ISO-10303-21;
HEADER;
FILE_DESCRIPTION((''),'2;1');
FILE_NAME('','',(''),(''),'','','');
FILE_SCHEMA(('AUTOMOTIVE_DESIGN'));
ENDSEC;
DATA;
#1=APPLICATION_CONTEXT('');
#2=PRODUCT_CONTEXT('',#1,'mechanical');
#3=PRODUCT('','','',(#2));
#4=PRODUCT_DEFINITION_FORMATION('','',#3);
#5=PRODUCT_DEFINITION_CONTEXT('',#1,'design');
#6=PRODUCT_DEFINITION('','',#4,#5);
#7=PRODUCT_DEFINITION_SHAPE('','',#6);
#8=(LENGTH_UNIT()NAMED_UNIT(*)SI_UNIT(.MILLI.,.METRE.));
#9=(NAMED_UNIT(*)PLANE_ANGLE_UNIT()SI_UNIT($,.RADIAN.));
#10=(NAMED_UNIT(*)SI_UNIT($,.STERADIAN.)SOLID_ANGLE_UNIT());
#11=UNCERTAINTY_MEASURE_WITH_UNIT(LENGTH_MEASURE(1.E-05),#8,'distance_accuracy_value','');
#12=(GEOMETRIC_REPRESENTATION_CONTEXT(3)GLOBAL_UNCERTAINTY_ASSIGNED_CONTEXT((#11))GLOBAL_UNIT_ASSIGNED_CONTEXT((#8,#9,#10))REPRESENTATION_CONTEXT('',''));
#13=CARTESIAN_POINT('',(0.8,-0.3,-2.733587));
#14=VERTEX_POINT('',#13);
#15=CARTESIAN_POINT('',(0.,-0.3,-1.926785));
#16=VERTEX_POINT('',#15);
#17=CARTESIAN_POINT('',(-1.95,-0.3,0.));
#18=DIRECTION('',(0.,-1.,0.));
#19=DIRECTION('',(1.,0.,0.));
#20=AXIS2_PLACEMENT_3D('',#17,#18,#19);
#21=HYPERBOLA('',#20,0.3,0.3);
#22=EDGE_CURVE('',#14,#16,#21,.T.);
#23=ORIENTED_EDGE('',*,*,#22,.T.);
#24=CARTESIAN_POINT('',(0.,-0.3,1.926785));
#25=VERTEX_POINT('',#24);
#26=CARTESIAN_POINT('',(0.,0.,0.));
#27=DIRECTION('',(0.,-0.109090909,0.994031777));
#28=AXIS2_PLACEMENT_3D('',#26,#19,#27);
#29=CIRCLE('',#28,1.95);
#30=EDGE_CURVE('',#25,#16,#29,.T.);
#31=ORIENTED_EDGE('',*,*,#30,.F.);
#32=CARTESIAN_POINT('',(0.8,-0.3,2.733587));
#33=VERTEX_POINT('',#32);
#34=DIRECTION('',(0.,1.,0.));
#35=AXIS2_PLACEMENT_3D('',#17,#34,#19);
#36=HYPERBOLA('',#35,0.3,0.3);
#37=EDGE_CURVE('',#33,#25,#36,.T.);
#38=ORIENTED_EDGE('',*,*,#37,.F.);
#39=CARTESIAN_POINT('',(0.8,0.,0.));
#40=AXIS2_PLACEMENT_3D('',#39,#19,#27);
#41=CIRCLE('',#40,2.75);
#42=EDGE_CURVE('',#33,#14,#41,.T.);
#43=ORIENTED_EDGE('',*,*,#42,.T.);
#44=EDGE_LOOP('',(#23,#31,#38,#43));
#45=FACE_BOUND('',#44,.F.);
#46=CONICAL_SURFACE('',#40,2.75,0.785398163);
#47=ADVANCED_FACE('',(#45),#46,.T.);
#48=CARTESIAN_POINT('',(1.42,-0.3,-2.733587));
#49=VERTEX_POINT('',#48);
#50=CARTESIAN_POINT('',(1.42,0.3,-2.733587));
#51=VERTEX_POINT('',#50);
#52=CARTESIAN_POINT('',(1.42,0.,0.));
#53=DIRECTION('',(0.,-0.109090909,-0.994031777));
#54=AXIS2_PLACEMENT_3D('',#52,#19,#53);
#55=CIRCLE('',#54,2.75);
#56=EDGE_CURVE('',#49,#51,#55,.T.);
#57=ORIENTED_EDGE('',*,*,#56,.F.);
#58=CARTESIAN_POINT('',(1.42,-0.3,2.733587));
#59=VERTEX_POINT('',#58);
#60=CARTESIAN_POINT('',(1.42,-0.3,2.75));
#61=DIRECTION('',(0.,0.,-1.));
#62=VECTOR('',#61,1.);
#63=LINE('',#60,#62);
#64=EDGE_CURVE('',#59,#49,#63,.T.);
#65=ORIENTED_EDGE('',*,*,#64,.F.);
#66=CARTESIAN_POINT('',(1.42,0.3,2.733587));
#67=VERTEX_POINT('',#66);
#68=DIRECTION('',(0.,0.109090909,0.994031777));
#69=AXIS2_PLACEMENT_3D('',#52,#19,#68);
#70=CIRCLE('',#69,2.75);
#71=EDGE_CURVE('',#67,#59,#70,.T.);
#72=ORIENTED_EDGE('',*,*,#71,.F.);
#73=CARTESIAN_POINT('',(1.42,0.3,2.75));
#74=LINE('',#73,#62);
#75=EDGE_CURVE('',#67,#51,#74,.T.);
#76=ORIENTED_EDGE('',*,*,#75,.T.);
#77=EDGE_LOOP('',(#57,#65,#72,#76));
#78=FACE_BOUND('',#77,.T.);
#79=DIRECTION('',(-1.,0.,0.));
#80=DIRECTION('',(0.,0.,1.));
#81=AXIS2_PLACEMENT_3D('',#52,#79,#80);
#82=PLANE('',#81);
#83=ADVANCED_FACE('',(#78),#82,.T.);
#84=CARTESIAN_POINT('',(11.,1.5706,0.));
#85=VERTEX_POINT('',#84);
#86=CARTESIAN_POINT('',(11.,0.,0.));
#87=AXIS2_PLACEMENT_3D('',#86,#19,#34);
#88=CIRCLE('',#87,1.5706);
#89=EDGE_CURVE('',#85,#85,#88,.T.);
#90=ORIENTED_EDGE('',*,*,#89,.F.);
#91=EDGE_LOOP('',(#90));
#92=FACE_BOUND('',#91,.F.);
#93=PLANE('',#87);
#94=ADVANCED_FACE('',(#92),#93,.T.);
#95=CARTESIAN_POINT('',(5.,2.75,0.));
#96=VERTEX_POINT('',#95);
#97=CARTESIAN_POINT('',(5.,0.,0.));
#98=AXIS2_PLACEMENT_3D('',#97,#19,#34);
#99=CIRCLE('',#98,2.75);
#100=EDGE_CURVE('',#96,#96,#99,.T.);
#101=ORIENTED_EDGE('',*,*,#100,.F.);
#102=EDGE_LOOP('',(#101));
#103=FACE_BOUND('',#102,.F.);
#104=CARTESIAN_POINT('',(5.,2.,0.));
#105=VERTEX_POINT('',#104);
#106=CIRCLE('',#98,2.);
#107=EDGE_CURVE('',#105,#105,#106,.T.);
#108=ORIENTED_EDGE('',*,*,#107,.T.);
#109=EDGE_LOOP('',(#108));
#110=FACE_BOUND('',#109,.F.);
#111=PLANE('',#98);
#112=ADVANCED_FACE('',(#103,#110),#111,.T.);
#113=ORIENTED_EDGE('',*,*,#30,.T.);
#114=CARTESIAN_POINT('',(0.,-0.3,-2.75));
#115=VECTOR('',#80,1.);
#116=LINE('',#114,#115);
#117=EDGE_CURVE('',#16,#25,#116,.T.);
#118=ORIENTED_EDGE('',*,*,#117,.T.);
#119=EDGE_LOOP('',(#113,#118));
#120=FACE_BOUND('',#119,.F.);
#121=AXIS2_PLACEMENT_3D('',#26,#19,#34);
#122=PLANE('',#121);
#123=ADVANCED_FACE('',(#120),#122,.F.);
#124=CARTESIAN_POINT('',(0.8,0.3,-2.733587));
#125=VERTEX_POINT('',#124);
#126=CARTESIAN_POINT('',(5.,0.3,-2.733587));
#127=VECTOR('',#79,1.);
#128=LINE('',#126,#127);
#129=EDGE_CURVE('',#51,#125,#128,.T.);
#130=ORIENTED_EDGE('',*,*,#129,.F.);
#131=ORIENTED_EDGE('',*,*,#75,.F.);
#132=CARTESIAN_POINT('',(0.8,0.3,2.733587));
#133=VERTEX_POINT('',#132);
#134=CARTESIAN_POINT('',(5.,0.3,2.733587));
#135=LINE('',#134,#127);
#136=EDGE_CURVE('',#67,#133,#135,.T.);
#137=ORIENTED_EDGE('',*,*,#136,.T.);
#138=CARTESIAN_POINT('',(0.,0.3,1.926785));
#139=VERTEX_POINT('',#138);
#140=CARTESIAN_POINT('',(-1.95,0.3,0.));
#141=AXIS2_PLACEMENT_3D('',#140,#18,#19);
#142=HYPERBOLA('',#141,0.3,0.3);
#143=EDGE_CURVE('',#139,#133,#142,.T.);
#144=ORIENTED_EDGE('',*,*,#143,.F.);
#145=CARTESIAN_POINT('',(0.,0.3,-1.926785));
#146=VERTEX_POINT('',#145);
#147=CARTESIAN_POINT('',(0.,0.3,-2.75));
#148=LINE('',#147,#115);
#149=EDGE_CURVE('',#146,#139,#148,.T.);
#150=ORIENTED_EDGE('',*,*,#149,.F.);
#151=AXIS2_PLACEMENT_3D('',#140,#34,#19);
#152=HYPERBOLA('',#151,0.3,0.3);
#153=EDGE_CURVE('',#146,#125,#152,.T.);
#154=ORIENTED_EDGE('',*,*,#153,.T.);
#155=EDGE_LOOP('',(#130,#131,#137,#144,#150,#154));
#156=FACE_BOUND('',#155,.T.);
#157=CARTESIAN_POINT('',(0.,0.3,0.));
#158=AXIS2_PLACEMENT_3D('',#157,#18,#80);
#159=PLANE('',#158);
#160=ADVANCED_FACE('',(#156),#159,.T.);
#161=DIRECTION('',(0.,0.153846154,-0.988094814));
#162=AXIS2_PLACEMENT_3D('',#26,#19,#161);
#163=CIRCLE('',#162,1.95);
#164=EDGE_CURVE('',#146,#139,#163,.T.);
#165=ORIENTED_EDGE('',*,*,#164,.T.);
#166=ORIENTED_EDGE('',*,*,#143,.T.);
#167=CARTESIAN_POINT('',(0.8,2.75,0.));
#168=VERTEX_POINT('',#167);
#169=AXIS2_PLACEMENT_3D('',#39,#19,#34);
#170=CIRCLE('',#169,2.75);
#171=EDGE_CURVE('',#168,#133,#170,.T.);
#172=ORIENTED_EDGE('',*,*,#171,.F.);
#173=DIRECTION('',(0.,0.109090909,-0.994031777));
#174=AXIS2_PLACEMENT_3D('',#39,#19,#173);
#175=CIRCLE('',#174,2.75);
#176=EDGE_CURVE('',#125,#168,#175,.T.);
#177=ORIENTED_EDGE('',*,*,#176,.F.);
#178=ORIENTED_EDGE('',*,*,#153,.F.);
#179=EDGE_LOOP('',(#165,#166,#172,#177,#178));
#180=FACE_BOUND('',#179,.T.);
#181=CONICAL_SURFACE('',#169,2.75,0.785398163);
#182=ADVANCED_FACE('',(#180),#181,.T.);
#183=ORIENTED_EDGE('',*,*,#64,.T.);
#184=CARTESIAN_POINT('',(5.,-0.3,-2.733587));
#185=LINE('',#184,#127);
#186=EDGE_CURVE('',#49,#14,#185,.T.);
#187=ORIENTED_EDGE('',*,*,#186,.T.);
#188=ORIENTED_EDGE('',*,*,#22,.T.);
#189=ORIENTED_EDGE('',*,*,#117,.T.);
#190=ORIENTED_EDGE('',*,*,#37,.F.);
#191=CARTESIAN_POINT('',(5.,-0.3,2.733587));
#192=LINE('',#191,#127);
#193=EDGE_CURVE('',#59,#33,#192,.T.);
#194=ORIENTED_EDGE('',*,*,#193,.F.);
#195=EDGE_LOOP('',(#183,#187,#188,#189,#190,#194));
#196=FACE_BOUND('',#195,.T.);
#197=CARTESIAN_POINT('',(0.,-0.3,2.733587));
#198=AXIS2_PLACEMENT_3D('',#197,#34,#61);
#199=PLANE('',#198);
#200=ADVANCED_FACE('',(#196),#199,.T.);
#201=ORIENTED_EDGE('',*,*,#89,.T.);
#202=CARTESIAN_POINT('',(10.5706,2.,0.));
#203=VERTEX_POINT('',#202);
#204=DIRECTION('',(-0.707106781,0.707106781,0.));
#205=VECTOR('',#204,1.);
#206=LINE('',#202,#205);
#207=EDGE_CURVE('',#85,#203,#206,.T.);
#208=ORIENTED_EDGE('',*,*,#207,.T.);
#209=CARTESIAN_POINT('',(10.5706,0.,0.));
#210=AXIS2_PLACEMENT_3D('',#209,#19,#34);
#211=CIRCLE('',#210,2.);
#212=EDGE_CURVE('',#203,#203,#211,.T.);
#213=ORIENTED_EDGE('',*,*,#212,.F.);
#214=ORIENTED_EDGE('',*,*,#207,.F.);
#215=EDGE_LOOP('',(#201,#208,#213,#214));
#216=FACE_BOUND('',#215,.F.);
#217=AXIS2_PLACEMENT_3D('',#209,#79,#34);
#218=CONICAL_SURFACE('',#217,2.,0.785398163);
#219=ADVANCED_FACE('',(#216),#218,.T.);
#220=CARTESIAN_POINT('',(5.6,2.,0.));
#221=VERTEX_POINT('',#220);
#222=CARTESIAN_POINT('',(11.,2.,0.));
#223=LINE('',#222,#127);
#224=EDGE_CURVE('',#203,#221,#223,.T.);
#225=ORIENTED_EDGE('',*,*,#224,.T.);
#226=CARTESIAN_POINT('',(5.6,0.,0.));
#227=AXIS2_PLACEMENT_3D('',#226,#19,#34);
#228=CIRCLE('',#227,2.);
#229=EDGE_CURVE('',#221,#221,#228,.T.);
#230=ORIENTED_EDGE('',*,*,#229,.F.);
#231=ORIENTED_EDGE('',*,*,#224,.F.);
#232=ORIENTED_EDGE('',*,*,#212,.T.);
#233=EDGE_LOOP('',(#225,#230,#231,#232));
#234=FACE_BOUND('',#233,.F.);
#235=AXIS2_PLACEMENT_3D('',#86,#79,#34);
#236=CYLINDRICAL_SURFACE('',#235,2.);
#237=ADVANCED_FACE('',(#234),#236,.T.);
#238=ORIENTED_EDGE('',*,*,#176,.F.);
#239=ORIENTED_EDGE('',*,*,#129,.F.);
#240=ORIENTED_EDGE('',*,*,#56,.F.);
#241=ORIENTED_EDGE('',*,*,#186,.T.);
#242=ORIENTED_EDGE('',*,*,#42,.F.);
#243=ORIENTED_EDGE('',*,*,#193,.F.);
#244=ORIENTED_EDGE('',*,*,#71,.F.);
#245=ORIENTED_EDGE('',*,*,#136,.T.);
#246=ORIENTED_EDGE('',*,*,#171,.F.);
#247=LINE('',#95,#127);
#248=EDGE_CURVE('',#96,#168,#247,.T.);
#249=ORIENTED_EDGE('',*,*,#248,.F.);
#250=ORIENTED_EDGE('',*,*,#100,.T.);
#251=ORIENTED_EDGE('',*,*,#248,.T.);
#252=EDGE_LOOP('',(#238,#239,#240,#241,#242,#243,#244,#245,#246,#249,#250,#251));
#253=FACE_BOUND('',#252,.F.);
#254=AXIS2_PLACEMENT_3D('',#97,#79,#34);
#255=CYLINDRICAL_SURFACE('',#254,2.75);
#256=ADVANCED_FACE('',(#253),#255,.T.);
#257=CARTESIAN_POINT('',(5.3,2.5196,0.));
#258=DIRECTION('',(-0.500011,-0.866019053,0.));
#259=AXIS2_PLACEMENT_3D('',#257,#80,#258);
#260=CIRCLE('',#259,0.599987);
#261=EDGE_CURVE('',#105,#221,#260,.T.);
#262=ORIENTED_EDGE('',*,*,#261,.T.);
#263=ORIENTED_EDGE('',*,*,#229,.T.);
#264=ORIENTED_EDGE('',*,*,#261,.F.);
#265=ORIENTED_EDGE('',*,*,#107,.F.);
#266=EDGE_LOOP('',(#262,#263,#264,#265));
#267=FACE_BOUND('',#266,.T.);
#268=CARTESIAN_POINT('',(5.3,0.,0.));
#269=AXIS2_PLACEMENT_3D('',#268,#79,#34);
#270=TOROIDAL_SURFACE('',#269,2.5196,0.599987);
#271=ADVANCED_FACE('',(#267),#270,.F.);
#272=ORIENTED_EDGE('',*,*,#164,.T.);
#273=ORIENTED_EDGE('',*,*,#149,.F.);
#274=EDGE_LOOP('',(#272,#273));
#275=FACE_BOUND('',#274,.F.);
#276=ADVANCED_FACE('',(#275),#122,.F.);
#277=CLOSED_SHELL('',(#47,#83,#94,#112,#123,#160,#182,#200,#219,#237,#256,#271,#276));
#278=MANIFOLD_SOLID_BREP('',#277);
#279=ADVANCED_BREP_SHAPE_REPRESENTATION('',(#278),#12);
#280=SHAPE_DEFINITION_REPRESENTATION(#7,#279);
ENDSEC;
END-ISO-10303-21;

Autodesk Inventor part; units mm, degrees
ref_plane "YZ Plane" through (0, 0, 0) normal (1, 0, 0) x (0, 1, 0)
ref_plane "XZ Plane" through (0, 0, 0) normal (0, 1, 0) x (-1, 0, 0)
sketch "Skizze1" plane through (0, 0, 0) normal (0, 0, 1) x (1, 0, 0)
  line L0 (0, 0) -> (11, 0)
  line L1 (11, 0) -> (11, 2)
  line L2 (11, 2) -> (5, 2)
  line L3 (5, 2) -> (5, 2.75)
  line L4 (5, 2.75) -> (0, 2.75)
  line L5 (0, 2.75) -> (0, 0)
  line L6 (-2.2, 0) -> (13.2, 0) projected
  line L7 (0, -0.55) -> (0, 3.3) projected
  arc A0 (5, 2) -> (5.6, 2) centre (5.3, 2.5196) ccw
  dimension "d0" = 5
  dimension "d1" = 6
  dimension "d2" = 4
  dimension "d3" = 5.5
  dimension "d14" = 0.6
  dimension "d15" = 0.6
revolve "Körper" add sketch "Skizze1" angle 360 about axis through (0, 0, 0) along (1, 0, 0)
sketch "Skizze2" plane through (0, 0, 0) normal (-1, 0, 0) x (0, 0, 1)
  circle A0 centre (0, 0) radius 2.75 projected
  line L0 (0, -3.85) -> (0, 3.85) projected
  line L1 (-3.85, 0) -> (3.85, 0) projected
  line L2 (-2.75, 0.3) -> (2.75, 0.3)
  line L3 (2.75, 0.3) -> (2.75, -0.3)
  line L4 (2.75, -0.3) -> (-2.75, -0.3)
  line L5 (-2.75, -0.3) -> (-2.75, 0.3)
  line L6 (-2.75, 0) -> (2.75, 0) construction
  line L7 (0, 0.3) -> (0, -0.3) construction
  dimension "d5" = 0.6
extrude "Loch" cut sketch "Skizze2" against normal blind 1.42 contours L1 L0 L2 A0 | L3 L4 A0 | A0 L4 L0 L1 | A0 L2 L3 | L1 A0 L2 L0 | L0 L4 A0 L1 | L5 L2 A0 | A0 L4 L5
chamfer "Fase1" distance 0.8 angle 45 3 edges at (0, 2.0479, -1.8354) (0, 2.0479, 1.8354) (0, -2.75, 0) measured on face at (2.14, 0.7465, 2.6467)
thread "Gewinde" size "M4x0.7" class "6g" standard "ISO Metric profile" length 6
chamfer "Fase2" distance 0.4294 distance2 0.4294 1 edges at (11, -2, 0) measured on face at (11, 0.6473, 0.1595)
revolve "Nut1" cut sketch "Skizze1" angle 360 about axis through (0, 0, 0) along (1, 0, 0) contours A0 L2
ref_plane "Work Plane1" through (8, 0, 0) normal (0, 0, -1) x (1, 0, 0)
equation "\"d0\" = KOH"
equation "\"d1\" = GEL"
equation "\"d2\" = NND"
equation "\"d3\" = KOD"
equation "\"d14\" = SBR"
equation "\"d15\" = SBR"
equation "\"d5\" = SBR"
equation "\"d6\" = STI"
equation "\"d8\" = PHH"
equation "\"d19\" = PHH"
equation "\"d10\" = GEL"
equation "\"d12\" = -0.5 * GD1 + 0.5 * NND"
equation "\"d13\" = GUL"
equation "\"NND\" = 4"
equation "\"GEL\" = 6"
equation "\"KOD\" = 5.5"
equation "\"KOH\" = 5"
equation "\"SBR\" = 0.6"
equation "\"GUL\" = 0.61345 * PTC"
equation "\"PHH\" = 0.8"
equation "\"GD1\" = THREADDIA - 1.2269 * PTC"
equation "\"STI\" = 1.42"
equation "\"THREADDIA\" = 4"
equation "\"TOA\" = 30deg"
equation "\"NLG\" = GEL"
equation "\"PTC\" = 0.7"
equation "\"GAL\" = 0.61345 * PTC"
properties part number "DIN 927 - M4 x 5-14H" material "Stahl, weich"
